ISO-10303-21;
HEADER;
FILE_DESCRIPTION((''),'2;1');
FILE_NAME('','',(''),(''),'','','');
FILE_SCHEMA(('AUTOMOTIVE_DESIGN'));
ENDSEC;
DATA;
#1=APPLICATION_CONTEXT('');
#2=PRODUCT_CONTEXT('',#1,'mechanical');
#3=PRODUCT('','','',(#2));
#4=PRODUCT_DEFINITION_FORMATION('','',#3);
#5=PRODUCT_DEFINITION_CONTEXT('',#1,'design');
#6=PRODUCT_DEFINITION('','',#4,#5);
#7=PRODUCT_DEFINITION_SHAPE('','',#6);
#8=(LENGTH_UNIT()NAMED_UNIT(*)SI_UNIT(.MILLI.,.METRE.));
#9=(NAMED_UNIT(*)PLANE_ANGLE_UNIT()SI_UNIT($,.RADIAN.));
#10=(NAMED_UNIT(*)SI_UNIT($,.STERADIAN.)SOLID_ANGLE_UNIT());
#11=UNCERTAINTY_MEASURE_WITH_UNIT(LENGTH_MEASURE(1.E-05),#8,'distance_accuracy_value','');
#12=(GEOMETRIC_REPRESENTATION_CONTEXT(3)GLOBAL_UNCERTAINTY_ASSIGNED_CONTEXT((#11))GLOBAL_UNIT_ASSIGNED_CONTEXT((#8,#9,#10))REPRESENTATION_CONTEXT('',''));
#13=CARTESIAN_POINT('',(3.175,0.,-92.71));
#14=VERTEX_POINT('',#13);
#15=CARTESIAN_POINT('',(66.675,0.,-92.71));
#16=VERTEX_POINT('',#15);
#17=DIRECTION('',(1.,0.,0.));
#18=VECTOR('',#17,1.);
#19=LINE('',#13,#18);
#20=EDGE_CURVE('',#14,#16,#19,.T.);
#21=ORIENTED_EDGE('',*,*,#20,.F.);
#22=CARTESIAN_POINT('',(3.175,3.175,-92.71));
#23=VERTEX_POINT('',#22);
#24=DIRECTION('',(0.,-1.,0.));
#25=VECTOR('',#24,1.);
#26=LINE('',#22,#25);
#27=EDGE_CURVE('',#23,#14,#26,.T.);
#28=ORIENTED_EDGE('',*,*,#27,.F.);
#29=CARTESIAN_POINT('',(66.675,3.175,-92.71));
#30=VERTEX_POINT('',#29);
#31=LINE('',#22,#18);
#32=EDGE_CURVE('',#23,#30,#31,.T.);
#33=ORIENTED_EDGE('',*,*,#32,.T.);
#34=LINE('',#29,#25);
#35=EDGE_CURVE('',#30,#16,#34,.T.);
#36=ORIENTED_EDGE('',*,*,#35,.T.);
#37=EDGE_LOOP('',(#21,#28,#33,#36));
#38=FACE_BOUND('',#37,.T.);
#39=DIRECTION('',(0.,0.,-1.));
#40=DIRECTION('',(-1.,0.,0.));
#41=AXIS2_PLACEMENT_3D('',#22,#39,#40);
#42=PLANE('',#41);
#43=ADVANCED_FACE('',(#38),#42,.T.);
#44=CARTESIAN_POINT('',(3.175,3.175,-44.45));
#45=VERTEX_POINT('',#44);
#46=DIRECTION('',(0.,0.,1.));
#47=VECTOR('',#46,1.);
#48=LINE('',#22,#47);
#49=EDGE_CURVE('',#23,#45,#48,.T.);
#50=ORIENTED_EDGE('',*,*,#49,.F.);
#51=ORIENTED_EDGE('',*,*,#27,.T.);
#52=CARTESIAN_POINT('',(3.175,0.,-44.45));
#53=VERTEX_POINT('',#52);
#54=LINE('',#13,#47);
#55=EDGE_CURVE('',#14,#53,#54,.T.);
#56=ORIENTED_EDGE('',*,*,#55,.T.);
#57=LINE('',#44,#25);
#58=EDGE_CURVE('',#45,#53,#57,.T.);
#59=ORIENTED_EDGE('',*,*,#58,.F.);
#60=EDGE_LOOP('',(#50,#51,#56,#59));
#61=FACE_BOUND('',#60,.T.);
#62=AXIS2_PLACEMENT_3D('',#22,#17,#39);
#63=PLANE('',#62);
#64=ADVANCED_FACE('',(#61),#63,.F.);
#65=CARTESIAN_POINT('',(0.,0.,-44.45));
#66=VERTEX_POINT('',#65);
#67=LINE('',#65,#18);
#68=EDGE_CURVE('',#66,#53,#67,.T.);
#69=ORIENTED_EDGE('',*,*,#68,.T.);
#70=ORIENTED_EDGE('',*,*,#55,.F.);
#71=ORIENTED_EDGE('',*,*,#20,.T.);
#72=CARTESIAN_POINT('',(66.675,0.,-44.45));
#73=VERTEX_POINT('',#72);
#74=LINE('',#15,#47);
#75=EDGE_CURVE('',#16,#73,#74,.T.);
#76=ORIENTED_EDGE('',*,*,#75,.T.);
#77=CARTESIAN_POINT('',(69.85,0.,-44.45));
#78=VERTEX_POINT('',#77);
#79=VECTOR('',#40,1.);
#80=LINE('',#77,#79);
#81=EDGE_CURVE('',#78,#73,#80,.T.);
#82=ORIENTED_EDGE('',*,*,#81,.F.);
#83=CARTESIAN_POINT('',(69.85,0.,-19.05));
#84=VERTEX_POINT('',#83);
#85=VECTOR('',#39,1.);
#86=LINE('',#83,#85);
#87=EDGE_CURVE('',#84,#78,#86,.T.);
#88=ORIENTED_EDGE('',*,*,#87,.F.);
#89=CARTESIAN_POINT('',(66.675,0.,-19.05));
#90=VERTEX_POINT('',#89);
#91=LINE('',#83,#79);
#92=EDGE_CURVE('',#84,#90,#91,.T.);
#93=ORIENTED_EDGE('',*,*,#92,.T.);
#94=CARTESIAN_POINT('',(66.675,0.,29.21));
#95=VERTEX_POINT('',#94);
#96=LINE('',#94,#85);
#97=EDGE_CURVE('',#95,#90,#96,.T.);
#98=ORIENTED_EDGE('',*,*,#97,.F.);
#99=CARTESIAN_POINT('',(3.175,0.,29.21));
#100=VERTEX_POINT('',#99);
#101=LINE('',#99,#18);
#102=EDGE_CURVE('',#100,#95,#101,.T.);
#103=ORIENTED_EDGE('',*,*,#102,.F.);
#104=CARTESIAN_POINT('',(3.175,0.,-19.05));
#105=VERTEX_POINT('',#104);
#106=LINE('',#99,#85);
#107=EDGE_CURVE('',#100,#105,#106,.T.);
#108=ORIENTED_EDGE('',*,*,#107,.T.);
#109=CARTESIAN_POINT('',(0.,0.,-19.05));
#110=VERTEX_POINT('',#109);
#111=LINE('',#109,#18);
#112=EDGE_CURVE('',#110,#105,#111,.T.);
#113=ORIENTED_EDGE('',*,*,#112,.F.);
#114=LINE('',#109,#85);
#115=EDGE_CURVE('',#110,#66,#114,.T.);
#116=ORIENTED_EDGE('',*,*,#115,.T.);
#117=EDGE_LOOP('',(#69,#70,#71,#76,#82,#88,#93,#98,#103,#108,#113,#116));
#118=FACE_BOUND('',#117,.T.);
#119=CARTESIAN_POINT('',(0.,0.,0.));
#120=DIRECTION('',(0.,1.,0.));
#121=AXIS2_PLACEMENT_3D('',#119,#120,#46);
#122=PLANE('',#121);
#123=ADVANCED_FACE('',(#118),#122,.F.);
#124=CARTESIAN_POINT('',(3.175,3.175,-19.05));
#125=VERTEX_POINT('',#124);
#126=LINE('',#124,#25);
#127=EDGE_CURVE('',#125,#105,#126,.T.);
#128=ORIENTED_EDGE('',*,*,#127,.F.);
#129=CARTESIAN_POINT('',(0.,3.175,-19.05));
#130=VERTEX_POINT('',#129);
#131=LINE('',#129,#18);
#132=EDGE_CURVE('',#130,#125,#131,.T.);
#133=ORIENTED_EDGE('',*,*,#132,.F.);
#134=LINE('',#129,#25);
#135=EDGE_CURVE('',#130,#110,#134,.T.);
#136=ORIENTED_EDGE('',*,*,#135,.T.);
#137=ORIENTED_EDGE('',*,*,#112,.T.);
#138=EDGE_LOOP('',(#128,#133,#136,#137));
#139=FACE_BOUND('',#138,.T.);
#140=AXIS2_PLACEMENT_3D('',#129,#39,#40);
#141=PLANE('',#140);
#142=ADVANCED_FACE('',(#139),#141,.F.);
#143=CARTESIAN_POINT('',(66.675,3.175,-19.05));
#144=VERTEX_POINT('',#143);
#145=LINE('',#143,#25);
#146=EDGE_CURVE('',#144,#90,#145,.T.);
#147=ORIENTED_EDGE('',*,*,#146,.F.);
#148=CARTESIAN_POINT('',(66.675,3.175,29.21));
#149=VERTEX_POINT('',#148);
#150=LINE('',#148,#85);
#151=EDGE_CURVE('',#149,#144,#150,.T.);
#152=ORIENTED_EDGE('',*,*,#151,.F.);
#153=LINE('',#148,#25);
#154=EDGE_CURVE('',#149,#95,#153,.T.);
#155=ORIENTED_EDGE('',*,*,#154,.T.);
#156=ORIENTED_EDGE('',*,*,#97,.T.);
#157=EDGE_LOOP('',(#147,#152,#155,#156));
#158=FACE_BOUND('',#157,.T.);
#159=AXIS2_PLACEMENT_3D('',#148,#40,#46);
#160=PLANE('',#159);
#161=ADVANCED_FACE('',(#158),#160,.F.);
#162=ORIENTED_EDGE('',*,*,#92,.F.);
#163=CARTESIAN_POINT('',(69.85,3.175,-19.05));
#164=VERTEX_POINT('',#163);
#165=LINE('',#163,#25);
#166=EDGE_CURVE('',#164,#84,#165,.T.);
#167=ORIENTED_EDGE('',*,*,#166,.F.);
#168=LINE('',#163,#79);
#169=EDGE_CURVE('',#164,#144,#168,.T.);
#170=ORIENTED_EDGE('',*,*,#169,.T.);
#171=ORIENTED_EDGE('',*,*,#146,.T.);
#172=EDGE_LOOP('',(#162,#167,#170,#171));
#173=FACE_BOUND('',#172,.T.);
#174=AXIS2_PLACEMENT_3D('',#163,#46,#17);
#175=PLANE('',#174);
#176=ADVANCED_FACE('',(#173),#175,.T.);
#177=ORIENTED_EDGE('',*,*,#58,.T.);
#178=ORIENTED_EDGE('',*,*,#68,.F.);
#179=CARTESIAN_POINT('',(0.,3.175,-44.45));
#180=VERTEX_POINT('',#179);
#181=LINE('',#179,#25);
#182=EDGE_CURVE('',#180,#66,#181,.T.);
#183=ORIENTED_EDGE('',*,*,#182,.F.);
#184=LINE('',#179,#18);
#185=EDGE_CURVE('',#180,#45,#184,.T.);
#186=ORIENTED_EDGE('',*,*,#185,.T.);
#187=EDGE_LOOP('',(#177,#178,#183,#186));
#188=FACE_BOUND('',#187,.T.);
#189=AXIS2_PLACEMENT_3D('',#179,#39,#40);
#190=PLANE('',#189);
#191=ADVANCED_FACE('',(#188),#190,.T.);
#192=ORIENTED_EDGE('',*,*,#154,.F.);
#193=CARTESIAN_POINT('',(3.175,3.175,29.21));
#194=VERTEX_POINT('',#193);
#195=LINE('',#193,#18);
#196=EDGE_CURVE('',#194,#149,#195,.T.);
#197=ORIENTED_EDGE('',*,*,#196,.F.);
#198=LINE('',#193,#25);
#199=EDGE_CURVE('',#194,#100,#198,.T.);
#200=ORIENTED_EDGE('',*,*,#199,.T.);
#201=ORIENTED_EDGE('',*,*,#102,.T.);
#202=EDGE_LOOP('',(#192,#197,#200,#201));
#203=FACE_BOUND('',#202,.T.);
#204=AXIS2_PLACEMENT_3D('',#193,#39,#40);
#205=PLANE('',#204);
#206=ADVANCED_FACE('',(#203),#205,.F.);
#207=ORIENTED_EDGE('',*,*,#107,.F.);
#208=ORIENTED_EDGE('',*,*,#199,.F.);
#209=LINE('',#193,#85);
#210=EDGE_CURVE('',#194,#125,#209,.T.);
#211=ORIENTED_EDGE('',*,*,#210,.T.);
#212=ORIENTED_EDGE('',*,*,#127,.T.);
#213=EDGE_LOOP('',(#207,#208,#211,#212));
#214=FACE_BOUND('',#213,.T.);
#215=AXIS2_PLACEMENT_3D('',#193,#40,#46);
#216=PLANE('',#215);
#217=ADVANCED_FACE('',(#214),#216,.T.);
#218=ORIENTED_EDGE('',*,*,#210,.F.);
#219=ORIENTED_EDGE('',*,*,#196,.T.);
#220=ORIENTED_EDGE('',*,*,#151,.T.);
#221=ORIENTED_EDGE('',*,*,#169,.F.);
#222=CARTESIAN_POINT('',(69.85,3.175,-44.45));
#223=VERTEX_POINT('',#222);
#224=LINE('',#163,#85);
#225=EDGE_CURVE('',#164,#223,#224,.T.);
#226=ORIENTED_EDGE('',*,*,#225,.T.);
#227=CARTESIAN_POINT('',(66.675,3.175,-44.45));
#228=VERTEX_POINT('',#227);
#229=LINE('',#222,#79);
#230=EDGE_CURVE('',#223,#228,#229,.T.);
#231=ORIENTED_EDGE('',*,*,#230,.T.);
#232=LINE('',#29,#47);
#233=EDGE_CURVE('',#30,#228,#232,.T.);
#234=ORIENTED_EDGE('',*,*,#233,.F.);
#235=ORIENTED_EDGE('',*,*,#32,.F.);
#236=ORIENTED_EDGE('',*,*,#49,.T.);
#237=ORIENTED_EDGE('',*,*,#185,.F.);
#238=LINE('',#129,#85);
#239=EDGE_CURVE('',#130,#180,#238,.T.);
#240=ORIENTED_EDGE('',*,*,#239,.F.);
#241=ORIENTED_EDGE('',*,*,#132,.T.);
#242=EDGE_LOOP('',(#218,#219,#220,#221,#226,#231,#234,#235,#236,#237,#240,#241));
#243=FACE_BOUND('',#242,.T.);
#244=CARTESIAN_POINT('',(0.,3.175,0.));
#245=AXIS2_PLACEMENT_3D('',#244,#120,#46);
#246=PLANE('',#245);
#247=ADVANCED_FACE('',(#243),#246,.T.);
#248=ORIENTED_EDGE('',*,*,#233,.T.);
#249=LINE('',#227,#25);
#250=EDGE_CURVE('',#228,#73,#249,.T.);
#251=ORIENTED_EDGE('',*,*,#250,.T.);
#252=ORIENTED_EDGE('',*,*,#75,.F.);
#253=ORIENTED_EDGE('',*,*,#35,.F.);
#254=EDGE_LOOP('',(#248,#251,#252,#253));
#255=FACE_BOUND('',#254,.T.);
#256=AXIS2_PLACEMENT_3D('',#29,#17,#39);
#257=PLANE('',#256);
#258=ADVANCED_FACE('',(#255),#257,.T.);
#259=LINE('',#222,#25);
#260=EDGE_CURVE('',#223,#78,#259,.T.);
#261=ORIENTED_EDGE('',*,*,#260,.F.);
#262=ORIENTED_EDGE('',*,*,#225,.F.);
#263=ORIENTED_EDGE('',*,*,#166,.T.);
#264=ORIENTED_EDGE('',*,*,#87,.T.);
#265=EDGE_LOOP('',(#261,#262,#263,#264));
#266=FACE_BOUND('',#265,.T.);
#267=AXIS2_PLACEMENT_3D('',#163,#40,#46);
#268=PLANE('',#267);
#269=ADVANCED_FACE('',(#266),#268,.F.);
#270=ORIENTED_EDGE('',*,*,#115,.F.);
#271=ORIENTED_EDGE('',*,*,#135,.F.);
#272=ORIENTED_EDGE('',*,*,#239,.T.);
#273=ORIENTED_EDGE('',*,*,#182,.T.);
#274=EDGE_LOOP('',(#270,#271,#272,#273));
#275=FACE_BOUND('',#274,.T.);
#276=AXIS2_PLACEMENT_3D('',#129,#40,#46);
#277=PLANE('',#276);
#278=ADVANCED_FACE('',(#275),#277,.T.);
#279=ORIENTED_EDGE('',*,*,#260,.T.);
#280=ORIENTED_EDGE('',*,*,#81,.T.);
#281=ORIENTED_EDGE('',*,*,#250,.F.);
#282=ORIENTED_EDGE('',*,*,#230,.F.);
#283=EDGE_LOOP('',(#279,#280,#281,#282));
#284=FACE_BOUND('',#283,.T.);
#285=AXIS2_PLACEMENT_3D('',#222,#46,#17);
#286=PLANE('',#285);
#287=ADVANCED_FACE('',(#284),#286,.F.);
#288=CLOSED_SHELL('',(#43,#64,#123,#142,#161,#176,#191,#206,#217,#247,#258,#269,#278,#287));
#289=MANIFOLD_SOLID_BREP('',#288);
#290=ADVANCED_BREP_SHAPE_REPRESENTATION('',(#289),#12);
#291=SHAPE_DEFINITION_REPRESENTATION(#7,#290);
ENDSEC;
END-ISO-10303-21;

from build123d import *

# Parameters (mm, degrees)
BOSS_EXTRUDE1_DEPTH = 3.175


with BuildPart() as part:
    # Sketch1 → Boss-Extrude1 (new body)
    with BuildSketch(Plane(origin=(0, 0, 0), x_dir=(1, 0, 0), z_dir=(0, 1, 0))):
        Polygon((3.175, -29.21), (66.675, -29.21), (66.675, 19.05), (69.85, 19.05), (69.85, 44.45), (66.675, 44.45), (66.675, 92.71), (3.175, 92.71), (3.175, 44.45), (0, 44.45), (0, 19.05), (3.175, 19.05), align=None)
    extrude(amount=BOSS_EXTRUDE1_DEPTH)


solid = part.part
